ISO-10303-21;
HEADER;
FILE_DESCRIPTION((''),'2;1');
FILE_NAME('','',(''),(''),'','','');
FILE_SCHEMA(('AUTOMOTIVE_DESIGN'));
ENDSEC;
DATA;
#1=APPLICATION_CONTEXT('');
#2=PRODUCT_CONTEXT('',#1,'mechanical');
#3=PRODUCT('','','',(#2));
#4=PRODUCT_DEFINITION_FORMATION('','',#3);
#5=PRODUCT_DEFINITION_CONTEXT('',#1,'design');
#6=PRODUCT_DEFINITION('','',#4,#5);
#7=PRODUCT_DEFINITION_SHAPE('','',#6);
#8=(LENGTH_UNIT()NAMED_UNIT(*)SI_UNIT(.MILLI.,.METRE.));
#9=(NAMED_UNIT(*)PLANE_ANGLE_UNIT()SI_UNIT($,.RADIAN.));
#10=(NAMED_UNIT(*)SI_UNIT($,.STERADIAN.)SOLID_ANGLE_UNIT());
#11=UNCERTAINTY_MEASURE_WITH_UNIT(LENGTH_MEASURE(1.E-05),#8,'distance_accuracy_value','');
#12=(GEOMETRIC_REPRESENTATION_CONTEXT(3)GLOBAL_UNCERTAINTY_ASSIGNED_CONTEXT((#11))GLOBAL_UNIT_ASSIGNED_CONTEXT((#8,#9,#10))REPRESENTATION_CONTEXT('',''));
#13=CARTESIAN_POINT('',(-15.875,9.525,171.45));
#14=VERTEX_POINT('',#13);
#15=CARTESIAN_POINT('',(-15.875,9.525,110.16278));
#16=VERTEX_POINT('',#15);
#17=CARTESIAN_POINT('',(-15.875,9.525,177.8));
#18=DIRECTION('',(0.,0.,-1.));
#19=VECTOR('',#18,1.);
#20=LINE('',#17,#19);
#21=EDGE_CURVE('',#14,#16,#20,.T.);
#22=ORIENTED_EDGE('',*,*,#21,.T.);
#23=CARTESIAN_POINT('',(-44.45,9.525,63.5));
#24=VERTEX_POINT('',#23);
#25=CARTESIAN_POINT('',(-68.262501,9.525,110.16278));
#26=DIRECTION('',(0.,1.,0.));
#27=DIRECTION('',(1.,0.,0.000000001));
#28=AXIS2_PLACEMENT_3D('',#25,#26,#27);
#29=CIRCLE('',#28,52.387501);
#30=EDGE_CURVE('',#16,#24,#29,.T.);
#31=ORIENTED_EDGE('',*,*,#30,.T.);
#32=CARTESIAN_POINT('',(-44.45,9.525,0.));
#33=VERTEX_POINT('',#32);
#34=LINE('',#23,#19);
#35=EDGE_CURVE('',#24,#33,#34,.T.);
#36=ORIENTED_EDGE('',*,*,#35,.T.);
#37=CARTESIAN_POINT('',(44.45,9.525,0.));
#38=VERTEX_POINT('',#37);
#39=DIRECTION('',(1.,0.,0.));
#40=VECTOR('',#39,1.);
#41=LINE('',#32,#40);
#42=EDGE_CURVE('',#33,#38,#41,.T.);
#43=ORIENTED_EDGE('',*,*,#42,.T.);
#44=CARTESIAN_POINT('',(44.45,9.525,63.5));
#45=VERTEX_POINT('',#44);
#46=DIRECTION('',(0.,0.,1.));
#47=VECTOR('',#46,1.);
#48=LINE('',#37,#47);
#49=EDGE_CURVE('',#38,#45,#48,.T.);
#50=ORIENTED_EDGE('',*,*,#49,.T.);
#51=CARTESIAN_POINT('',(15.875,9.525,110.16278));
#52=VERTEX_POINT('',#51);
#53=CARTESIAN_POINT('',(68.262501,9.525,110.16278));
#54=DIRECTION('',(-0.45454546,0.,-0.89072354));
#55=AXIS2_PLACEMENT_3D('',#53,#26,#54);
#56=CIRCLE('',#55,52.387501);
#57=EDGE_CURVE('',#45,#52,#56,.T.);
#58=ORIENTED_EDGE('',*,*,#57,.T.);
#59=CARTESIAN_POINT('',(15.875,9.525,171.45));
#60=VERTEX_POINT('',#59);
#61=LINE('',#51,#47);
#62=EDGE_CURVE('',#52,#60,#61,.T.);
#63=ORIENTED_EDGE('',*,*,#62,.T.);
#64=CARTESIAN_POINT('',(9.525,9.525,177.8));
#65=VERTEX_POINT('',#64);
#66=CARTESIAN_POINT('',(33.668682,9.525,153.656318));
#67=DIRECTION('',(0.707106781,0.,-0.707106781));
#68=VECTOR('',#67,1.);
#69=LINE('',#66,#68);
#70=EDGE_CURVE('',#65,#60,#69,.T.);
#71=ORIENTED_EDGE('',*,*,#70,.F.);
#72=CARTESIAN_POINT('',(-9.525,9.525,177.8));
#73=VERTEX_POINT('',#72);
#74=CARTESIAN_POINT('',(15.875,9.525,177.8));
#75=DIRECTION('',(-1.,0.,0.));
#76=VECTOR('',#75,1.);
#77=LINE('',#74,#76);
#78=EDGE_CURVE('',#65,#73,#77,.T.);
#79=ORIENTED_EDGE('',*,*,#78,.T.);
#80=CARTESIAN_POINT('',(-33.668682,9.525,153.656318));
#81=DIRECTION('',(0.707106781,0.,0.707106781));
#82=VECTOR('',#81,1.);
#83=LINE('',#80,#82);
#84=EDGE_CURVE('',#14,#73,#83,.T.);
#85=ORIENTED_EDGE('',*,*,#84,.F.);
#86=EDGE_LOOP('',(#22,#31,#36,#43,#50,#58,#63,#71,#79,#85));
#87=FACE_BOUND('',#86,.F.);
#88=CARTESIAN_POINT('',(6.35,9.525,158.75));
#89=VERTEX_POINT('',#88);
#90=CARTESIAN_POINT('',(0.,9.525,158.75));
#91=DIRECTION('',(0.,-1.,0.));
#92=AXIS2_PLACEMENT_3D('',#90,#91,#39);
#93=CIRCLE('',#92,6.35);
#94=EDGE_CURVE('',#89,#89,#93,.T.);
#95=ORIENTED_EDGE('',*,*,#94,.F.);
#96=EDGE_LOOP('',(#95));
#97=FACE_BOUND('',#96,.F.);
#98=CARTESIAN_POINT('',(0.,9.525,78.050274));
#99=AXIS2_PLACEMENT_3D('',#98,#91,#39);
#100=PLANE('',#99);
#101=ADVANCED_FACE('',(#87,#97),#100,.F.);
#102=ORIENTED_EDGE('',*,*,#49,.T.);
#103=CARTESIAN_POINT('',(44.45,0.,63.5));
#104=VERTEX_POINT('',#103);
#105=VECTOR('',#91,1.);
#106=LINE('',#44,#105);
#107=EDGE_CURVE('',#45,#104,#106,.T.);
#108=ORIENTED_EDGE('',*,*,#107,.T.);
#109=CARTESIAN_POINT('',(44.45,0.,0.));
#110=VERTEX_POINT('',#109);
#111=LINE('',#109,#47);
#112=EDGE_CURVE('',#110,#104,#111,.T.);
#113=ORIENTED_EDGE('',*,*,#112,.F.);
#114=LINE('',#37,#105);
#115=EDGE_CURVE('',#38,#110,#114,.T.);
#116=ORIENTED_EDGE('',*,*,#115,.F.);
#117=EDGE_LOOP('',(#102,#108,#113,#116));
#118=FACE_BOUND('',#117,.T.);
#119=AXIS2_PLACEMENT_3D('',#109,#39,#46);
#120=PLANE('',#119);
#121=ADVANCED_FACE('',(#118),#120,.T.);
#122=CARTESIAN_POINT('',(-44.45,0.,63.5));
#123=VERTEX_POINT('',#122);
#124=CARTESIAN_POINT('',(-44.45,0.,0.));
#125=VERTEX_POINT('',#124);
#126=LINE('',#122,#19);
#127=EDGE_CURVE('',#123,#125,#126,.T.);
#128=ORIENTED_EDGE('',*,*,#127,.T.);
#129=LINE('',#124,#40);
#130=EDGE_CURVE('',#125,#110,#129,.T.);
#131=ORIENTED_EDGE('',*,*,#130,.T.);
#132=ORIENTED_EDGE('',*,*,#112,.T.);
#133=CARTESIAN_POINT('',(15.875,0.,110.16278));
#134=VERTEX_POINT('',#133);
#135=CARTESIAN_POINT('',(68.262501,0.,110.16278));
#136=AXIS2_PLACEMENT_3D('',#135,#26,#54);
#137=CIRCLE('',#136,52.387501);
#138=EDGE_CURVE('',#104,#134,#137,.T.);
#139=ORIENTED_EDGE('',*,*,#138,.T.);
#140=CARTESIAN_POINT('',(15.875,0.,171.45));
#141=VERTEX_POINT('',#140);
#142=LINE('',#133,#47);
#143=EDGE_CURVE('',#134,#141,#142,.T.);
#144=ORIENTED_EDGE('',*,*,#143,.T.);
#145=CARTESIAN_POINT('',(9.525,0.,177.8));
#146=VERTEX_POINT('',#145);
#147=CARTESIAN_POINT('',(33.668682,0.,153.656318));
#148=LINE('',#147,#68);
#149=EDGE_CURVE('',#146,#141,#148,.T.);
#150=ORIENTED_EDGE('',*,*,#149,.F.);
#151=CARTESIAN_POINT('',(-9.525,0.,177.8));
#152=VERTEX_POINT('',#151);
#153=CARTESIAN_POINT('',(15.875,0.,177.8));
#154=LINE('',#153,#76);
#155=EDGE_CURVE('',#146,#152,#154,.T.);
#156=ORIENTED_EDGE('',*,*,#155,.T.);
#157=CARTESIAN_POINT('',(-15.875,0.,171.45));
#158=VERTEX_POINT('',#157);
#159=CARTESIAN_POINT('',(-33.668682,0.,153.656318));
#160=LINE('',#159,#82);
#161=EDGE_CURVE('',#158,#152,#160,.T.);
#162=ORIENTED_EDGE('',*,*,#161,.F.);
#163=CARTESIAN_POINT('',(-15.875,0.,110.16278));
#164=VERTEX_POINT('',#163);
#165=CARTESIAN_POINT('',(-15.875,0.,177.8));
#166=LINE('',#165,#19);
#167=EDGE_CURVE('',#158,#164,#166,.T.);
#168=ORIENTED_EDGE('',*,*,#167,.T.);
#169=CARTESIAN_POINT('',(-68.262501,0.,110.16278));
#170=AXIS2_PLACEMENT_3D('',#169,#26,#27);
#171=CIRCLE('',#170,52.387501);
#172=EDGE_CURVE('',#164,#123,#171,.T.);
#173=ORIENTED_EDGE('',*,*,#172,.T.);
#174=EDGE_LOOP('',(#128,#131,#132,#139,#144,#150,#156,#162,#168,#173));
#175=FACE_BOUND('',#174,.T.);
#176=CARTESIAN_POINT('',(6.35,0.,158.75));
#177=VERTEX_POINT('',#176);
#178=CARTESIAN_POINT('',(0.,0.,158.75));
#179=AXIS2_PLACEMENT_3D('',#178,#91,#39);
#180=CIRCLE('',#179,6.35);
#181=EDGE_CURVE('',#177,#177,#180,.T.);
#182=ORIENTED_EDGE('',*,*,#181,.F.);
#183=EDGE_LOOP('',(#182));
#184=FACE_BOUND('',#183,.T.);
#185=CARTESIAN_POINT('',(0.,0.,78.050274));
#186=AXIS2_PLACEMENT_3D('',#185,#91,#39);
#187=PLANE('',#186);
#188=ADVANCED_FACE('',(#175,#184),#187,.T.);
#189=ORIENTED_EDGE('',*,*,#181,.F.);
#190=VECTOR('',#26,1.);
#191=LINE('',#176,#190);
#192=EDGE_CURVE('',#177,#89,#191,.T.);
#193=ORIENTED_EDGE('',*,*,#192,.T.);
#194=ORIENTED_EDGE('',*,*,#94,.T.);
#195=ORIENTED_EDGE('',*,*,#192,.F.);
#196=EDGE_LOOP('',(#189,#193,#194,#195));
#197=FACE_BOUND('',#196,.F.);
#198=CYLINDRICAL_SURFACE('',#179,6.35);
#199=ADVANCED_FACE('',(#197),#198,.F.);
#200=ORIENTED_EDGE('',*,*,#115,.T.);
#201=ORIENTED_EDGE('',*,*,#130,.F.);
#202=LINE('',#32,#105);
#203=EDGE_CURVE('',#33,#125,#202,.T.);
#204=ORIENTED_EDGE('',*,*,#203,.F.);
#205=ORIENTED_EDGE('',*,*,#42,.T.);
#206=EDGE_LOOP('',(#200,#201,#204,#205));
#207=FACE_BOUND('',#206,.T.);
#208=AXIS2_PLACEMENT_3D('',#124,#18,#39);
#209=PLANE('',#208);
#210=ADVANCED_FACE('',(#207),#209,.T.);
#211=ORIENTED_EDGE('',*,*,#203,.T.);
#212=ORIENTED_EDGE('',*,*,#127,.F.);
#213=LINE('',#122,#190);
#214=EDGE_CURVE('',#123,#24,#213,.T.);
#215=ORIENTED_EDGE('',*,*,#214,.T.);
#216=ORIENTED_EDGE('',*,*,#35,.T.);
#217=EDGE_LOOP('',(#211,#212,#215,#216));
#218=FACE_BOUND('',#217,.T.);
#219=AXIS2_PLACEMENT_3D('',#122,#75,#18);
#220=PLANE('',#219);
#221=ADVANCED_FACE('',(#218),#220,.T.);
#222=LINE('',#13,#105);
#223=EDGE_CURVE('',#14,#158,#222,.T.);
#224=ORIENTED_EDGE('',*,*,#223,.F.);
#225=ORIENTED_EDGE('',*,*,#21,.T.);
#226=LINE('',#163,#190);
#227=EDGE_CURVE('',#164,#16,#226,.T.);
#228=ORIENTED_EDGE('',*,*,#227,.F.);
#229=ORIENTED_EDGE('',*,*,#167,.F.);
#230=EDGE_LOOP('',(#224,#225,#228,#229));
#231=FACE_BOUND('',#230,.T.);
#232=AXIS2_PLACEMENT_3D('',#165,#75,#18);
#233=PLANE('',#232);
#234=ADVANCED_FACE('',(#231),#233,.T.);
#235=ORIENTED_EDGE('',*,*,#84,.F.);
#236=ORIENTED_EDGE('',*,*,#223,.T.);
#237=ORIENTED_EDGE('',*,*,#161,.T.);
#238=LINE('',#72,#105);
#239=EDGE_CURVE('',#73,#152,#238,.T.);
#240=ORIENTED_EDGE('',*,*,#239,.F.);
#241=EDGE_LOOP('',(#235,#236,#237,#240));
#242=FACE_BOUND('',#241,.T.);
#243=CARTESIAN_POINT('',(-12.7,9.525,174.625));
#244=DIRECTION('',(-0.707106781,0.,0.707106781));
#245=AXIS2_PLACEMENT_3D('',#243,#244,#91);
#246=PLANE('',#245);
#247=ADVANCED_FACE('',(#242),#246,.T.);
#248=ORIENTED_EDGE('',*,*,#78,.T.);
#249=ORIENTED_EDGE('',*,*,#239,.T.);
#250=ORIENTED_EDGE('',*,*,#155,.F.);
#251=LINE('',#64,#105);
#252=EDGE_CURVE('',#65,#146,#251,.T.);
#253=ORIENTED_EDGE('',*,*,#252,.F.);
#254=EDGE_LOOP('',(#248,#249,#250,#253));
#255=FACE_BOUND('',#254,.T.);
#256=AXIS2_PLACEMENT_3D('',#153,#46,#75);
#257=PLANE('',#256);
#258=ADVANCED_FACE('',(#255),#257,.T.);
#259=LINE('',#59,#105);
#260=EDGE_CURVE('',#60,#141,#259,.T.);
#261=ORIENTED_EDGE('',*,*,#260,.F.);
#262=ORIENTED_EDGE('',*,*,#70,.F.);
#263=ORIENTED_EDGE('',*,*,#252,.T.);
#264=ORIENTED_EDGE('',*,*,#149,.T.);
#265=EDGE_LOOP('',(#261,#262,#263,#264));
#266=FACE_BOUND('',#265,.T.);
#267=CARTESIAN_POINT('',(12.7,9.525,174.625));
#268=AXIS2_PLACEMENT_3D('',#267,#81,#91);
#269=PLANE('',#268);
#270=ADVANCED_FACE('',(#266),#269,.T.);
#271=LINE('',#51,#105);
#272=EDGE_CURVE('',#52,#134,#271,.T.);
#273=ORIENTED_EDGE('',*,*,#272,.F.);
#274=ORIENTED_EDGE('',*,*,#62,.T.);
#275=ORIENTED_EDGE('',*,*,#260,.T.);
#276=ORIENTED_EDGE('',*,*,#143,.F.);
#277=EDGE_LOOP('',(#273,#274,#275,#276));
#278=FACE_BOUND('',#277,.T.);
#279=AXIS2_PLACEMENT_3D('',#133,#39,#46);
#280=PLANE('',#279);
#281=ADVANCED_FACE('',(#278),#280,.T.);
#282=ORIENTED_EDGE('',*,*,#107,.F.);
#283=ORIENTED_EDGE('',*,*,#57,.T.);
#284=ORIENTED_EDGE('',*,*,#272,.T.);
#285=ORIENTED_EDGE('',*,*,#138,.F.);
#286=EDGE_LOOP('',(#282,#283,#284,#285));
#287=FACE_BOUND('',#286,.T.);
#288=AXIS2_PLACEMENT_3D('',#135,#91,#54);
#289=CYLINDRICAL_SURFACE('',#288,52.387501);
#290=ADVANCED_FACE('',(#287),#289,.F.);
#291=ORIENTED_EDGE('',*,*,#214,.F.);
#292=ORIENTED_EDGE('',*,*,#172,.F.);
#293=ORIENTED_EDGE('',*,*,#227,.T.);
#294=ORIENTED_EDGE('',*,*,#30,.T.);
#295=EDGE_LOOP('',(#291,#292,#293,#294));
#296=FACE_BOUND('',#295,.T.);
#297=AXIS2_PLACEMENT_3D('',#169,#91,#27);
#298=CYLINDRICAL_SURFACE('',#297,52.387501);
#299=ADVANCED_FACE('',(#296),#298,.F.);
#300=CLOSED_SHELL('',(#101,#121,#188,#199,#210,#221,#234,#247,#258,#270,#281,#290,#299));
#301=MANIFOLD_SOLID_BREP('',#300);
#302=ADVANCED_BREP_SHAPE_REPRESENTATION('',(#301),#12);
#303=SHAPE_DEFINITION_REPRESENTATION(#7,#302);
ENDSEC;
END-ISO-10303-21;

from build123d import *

# Parameters (mm, degrees)
F1_DEPTH = 9.525
F2_DEPTH = 6.35
F3_R     = 6.35
F4_DEPTH = 9.526
F5_SIZE  = 6.35


with BuildPart() as f1:
    # F0 (on Front) → F1 (new body)
    with BuildSketch(Plane.XZ):
        with BuildLine():
            Line((-44.45, 63.5), (-44.45, 0))
            Line((-44.45, 0), (44.45, 0))
            Line((44.45, 0), (44.45, 63.5))
            ThreePointArc((44.45, 63.5), (23.58629, 82.8043), (15.875, 110.16278))
            Line((15.875, 110.16278), (15.875, 177.8))
            Line((15.875, 177.8), (-15.875, 177.8))
            Line((-15.875, 177.8), (-15.875, 110.16278))
            ThreePointArc((-15.875, 110.16278), (-23.58629, 82.8043), (-44.45, 63.5))
        make_face()
    extrude(amount=-F1_DEPTH)

    # F0 (on Front) → F2 (join)
    with BuildSketch(Plane.XZ):
        with BuildLine():
            Line((-44.45, 63.5), (-44.45, 0))
            Line((-44.45, 0), (44.45, 0))
            Line((44.45, 0), (44.45, 63.5))
            ThreePointArc((44.45, 63.5), (23.58629, 82.8043), (15.875, 110.16278))
            Line((15.875, 110.16278), (15.875, 177.8))
            Line((15.875, 177.8), (-15.875, 177.8))
            Line((-15.875, 177.8), (-15.875, 110.16278))
            ThreePointArc((-15.875, 110.16278), (-23.58629, 82.8043), (-44.45, 63.5))
        make_face()
    extrude(amount=-F2_DEPTH)

    # F3 (on face) → F4 (cut, through all)
    with BuildSketch(Plane.XZ):
        with Locations((0, 158.75)):
            Circle(F3_R)
    extrude(amount=-F4_DEPTH, mode=Mode.SUBTRACT)

    # F5
    f5_edges = [f1.edges().sort_by_distance(p)[0] for p in [
        (15.875, 4.7625, 177.8),
        (-15.875, 4.7625, 177.8),
    ]]
    chamfer(f5_edges, length=F5_SIZE)


solid = f1.part
